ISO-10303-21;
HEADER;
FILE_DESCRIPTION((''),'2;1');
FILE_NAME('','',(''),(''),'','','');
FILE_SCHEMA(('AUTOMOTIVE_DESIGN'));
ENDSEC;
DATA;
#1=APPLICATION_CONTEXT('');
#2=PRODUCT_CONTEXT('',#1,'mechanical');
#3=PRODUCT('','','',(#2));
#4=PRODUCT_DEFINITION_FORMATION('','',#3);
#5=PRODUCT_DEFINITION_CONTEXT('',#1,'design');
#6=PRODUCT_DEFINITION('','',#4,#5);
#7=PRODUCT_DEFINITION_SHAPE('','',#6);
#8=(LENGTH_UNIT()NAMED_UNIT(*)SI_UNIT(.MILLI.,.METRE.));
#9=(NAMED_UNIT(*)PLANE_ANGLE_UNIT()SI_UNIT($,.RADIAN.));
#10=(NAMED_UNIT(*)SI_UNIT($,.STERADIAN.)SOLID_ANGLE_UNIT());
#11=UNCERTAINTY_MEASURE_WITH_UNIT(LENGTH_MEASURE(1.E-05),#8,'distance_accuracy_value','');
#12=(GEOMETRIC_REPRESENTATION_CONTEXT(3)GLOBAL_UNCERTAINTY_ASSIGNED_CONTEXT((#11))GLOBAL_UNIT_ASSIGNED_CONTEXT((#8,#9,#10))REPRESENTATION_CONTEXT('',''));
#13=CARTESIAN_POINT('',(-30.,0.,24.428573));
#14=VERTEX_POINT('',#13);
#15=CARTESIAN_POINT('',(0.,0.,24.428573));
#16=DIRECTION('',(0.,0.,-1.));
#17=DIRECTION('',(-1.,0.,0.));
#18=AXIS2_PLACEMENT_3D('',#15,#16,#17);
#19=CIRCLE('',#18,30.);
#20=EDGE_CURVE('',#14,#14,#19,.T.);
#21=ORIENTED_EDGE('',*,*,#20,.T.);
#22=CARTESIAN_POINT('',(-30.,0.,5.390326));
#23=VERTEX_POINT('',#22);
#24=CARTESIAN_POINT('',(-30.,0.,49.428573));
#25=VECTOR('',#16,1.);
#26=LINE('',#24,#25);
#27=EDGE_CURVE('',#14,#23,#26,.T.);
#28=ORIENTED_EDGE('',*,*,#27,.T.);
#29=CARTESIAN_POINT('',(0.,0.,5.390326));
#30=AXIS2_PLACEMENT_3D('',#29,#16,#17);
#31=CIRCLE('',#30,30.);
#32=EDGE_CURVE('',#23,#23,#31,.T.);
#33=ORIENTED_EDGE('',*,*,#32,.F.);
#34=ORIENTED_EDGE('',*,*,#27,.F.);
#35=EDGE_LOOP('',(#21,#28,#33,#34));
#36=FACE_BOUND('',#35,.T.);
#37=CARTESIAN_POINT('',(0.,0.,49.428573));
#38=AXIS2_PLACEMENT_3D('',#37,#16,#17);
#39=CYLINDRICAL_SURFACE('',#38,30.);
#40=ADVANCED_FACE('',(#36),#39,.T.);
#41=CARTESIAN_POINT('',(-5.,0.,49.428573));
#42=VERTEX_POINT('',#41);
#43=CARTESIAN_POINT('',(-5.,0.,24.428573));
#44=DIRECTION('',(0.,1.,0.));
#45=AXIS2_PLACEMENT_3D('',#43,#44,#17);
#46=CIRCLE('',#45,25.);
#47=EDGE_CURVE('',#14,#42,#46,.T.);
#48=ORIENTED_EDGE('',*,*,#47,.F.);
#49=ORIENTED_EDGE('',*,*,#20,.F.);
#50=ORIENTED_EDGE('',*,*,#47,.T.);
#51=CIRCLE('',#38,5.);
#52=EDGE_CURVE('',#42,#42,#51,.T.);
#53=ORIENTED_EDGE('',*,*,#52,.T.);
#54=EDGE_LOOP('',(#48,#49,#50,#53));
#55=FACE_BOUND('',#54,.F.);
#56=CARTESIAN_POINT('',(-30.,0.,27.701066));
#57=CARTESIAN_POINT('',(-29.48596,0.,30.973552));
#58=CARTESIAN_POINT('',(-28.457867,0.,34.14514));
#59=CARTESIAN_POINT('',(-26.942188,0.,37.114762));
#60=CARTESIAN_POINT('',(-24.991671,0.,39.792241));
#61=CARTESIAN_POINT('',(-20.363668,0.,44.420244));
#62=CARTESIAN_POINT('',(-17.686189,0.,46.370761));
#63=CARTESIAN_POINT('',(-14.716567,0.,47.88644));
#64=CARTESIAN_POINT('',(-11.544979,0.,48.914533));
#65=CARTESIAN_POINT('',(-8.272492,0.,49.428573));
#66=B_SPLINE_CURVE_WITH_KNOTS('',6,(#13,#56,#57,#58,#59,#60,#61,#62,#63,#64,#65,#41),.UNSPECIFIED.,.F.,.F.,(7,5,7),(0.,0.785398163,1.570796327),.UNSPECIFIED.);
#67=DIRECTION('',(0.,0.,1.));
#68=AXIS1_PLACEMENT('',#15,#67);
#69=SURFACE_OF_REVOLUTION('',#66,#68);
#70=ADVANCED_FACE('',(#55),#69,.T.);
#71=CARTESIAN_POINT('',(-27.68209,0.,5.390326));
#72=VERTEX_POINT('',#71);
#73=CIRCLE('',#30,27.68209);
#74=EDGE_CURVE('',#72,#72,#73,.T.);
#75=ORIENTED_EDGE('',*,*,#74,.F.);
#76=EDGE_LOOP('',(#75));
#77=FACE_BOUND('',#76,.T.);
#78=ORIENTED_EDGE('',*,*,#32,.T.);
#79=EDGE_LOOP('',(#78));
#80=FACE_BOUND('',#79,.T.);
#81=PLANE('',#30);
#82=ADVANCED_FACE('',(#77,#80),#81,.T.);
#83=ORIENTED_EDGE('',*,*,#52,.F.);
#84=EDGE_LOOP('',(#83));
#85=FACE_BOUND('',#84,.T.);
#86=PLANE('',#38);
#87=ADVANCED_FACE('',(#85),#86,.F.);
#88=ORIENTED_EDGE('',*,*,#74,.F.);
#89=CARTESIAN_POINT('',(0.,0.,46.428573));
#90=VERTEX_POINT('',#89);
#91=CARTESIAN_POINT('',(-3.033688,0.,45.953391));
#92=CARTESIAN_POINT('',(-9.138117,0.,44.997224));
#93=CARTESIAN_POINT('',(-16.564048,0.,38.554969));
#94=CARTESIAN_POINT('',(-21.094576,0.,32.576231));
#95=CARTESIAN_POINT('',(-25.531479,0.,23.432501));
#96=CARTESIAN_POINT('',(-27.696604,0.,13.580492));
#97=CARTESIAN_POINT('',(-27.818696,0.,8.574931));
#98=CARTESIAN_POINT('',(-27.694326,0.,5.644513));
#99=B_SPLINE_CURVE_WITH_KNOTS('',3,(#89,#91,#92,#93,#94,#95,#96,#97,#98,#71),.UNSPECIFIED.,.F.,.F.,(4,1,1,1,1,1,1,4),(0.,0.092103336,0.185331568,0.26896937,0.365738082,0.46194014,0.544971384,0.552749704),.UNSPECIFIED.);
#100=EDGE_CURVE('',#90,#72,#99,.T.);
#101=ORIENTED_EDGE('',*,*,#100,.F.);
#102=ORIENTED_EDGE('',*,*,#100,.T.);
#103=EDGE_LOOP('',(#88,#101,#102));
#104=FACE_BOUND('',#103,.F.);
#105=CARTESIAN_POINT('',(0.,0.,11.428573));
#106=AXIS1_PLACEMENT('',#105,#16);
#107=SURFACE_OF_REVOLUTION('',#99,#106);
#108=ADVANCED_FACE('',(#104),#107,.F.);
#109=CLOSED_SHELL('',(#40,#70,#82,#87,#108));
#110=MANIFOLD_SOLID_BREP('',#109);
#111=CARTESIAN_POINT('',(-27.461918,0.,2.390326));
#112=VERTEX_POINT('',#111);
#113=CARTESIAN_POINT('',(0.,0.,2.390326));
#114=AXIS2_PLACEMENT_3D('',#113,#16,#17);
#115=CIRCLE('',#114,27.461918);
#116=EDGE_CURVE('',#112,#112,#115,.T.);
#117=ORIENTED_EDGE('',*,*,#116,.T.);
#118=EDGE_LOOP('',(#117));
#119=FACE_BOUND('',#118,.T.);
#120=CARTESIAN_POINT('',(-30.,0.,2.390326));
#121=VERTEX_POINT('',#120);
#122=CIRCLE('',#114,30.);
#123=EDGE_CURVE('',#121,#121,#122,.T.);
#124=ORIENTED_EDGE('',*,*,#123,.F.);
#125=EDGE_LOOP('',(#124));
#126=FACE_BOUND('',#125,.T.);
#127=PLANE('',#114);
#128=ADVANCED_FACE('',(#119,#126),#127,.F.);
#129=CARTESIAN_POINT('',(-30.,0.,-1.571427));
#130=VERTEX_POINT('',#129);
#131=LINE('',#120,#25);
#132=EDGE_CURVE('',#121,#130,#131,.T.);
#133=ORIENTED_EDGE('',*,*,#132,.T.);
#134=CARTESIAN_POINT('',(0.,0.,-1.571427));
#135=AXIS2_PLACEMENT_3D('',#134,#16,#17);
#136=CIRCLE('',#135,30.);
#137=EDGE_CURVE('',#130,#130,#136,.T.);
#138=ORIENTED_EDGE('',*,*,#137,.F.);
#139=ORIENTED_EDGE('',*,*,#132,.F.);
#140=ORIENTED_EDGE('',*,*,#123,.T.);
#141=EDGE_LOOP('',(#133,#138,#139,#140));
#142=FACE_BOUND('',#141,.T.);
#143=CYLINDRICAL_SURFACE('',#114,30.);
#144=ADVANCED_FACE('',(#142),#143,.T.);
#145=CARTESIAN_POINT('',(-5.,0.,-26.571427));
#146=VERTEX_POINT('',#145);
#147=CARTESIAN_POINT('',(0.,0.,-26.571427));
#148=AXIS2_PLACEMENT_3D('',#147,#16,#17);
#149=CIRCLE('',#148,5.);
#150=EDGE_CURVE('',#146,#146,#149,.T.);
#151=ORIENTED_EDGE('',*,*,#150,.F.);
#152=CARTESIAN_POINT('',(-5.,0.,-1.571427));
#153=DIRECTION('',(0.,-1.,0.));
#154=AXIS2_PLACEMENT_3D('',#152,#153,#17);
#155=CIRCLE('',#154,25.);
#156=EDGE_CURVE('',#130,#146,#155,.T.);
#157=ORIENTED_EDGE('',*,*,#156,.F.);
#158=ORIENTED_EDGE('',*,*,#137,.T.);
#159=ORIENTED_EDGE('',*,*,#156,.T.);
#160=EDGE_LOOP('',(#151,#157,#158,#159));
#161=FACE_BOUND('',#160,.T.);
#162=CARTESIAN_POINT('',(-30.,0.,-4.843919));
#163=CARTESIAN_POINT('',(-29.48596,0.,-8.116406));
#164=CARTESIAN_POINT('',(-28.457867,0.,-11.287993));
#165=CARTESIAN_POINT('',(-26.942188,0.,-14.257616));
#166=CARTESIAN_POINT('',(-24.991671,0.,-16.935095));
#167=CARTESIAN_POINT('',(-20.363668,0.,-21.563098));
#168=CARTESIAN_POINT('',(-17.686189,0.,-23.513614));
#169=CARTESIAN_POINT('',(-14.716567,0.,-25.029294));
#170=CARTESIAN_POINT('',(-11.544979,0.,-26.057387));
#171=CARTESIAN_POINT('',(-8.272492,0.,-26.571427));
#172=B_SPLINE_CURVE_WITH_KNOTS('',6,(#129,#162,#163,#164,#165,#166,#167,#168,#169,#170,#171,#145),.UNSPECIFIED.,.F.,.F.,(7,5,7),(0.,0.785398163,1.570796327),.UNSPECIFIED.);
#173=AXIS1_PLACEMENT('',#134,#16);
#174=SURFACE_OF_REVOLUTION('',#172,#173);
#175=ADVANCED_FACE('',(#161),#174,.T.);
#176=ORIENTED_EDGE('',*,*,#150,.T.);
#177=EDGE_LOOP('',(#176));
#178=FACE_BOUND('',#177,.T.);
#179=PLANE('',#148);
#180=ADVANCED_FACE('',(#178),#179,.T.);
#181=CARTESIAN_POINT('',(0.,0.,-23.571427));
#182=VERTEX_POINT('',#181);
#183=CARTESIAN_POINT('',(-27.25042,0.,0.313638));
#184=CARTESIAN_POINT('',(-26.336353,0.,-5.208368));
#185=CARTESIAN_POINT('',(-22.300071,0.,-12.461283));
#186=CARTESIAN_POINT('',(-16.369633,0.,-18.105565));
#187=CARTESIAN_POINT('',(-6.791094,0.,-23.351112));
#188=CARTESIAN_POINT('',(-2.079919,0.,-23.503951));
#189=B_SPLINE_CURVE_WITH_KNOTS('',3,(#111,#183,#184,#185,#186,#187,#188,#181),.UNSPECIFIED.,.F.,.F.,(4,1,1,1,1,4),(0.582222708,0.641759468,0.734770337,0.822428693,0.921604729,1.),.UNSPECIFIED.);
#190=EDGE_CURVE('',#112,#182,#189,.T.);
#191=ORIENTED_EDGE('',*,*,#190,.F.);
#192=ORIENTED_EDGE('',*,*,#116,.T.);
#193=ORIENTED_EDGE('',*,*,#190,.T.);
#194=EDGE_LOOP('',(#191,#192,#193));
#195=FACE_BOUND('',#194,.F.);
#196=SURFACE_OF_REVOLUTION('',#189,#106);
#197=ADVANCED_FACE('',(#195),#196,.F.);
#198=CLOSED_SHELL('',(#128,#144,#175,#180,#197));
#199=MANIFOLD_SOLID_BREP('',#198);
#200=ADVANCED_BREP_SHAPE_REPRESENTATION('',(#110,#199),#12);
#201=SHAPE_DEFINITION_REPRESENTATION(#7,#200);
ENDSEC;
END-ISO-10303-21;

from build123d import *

# Parameters (mm, degrees)
F2_R = 25
F4_R = 25


with BuildPart() as f1:
    # F0 (on Front) → F1 (revolve)
    with BuildSketch(Plane.XZ):
        with BuildLine():
            add(Edge.make_bspline(
                [(0, 46.4285731532), (-3.0336884151, 45.9533913125), (-9.1381169075, 44.9972240434), (-16.5640476024, 38.5549685221), (-21.0945764733, 32.5762312221), (-25.5314789576, 23.4325014201), (-27.6966039196, 13.5804920532), (-27.8186964321, 8.5749305692), (-27.6943262747, 5.6445129926), (-27.6820895485, 5.3903263004)],
                knots=[0, 0, 0, 0, 0.0921033363, 0.1853315678, 0.26896937, 0.3657380818, 0.4619401399, 0.5449713841, 0.5527497038, 0.5527497038, 0.5527497038, 0.5527497038], degree=3))
            Line((0, 46.4285731532), (0, 49.4285731532))
            Line((0, 49.4285731532), (-30, 49.4285731532))
            Line((-30, 49.4285731532), (-30, 48.2053891704))
            Line((-30, 48.2053891704), (-30, 5.3903263004))
            Line((-30, 5.3903263004), (-27.6820895485, 5.3903263004))
        make_face()
    revolve(axis=Axis((0, 0, 11.4285731532), (0, 0, -1)))

    # F2
    f2_edges = [f1.edges().sort_by_distance(p)[0] for p in [
        (30, 0, 49.428573),
    ]]
    fillet(f2_edges, radius=F2_R)


with BuildPart() as f3:
    # F0 (on Front) → F3 (revolve)
    with BuildSketch(Plane.XZ):
        with BuildLine():
            Line((0, -26.5714268468), (0, -23.5714268468))
            add(Edge.make_bspline(
                [(-27.4619179855, 2.3903263004), (-27.2504196955, 0.3136378959), (-26.3363530154, -5.2083679716), (-22.3000712492, -12.4612826037), (-16.369632818, -18.1055645784), (-6.7910940675, -23.3511123408), (-2.0799186612, -23.5039507895), (0, -23.5714268468)],
                knots=[0.5822227079, 0.5822227079, 0.5822227079, 0.5822227079, 0.6417594677, 0.7347703368, 0.8224286932, 0.9216047286, 1, 1, 1, 1], degree=3))
            Line((-27.4619179855, 2.3903263004), (-30, 2.3903263004))
            Line((-30, 2.3903263004), (-30, -21.7946108296))
            Line((-30, -21.7946108296), (-30, -26.5714268468))
            Line((-30, -26.5714268468), (0, -26.5714268468))
        make_face()
    revolve(axis=Axis((0, 0, 11.4285731532), (0, 0, -1)))

    # F4
    f4_edges = [f3.edges().sort_by_distance(p)[0] for p in [
        (30, 0, -26.571427),
    ]]
    fillet(f4_edges, radius=F4_R)


solid = Compound([f1.part, f3.part])
